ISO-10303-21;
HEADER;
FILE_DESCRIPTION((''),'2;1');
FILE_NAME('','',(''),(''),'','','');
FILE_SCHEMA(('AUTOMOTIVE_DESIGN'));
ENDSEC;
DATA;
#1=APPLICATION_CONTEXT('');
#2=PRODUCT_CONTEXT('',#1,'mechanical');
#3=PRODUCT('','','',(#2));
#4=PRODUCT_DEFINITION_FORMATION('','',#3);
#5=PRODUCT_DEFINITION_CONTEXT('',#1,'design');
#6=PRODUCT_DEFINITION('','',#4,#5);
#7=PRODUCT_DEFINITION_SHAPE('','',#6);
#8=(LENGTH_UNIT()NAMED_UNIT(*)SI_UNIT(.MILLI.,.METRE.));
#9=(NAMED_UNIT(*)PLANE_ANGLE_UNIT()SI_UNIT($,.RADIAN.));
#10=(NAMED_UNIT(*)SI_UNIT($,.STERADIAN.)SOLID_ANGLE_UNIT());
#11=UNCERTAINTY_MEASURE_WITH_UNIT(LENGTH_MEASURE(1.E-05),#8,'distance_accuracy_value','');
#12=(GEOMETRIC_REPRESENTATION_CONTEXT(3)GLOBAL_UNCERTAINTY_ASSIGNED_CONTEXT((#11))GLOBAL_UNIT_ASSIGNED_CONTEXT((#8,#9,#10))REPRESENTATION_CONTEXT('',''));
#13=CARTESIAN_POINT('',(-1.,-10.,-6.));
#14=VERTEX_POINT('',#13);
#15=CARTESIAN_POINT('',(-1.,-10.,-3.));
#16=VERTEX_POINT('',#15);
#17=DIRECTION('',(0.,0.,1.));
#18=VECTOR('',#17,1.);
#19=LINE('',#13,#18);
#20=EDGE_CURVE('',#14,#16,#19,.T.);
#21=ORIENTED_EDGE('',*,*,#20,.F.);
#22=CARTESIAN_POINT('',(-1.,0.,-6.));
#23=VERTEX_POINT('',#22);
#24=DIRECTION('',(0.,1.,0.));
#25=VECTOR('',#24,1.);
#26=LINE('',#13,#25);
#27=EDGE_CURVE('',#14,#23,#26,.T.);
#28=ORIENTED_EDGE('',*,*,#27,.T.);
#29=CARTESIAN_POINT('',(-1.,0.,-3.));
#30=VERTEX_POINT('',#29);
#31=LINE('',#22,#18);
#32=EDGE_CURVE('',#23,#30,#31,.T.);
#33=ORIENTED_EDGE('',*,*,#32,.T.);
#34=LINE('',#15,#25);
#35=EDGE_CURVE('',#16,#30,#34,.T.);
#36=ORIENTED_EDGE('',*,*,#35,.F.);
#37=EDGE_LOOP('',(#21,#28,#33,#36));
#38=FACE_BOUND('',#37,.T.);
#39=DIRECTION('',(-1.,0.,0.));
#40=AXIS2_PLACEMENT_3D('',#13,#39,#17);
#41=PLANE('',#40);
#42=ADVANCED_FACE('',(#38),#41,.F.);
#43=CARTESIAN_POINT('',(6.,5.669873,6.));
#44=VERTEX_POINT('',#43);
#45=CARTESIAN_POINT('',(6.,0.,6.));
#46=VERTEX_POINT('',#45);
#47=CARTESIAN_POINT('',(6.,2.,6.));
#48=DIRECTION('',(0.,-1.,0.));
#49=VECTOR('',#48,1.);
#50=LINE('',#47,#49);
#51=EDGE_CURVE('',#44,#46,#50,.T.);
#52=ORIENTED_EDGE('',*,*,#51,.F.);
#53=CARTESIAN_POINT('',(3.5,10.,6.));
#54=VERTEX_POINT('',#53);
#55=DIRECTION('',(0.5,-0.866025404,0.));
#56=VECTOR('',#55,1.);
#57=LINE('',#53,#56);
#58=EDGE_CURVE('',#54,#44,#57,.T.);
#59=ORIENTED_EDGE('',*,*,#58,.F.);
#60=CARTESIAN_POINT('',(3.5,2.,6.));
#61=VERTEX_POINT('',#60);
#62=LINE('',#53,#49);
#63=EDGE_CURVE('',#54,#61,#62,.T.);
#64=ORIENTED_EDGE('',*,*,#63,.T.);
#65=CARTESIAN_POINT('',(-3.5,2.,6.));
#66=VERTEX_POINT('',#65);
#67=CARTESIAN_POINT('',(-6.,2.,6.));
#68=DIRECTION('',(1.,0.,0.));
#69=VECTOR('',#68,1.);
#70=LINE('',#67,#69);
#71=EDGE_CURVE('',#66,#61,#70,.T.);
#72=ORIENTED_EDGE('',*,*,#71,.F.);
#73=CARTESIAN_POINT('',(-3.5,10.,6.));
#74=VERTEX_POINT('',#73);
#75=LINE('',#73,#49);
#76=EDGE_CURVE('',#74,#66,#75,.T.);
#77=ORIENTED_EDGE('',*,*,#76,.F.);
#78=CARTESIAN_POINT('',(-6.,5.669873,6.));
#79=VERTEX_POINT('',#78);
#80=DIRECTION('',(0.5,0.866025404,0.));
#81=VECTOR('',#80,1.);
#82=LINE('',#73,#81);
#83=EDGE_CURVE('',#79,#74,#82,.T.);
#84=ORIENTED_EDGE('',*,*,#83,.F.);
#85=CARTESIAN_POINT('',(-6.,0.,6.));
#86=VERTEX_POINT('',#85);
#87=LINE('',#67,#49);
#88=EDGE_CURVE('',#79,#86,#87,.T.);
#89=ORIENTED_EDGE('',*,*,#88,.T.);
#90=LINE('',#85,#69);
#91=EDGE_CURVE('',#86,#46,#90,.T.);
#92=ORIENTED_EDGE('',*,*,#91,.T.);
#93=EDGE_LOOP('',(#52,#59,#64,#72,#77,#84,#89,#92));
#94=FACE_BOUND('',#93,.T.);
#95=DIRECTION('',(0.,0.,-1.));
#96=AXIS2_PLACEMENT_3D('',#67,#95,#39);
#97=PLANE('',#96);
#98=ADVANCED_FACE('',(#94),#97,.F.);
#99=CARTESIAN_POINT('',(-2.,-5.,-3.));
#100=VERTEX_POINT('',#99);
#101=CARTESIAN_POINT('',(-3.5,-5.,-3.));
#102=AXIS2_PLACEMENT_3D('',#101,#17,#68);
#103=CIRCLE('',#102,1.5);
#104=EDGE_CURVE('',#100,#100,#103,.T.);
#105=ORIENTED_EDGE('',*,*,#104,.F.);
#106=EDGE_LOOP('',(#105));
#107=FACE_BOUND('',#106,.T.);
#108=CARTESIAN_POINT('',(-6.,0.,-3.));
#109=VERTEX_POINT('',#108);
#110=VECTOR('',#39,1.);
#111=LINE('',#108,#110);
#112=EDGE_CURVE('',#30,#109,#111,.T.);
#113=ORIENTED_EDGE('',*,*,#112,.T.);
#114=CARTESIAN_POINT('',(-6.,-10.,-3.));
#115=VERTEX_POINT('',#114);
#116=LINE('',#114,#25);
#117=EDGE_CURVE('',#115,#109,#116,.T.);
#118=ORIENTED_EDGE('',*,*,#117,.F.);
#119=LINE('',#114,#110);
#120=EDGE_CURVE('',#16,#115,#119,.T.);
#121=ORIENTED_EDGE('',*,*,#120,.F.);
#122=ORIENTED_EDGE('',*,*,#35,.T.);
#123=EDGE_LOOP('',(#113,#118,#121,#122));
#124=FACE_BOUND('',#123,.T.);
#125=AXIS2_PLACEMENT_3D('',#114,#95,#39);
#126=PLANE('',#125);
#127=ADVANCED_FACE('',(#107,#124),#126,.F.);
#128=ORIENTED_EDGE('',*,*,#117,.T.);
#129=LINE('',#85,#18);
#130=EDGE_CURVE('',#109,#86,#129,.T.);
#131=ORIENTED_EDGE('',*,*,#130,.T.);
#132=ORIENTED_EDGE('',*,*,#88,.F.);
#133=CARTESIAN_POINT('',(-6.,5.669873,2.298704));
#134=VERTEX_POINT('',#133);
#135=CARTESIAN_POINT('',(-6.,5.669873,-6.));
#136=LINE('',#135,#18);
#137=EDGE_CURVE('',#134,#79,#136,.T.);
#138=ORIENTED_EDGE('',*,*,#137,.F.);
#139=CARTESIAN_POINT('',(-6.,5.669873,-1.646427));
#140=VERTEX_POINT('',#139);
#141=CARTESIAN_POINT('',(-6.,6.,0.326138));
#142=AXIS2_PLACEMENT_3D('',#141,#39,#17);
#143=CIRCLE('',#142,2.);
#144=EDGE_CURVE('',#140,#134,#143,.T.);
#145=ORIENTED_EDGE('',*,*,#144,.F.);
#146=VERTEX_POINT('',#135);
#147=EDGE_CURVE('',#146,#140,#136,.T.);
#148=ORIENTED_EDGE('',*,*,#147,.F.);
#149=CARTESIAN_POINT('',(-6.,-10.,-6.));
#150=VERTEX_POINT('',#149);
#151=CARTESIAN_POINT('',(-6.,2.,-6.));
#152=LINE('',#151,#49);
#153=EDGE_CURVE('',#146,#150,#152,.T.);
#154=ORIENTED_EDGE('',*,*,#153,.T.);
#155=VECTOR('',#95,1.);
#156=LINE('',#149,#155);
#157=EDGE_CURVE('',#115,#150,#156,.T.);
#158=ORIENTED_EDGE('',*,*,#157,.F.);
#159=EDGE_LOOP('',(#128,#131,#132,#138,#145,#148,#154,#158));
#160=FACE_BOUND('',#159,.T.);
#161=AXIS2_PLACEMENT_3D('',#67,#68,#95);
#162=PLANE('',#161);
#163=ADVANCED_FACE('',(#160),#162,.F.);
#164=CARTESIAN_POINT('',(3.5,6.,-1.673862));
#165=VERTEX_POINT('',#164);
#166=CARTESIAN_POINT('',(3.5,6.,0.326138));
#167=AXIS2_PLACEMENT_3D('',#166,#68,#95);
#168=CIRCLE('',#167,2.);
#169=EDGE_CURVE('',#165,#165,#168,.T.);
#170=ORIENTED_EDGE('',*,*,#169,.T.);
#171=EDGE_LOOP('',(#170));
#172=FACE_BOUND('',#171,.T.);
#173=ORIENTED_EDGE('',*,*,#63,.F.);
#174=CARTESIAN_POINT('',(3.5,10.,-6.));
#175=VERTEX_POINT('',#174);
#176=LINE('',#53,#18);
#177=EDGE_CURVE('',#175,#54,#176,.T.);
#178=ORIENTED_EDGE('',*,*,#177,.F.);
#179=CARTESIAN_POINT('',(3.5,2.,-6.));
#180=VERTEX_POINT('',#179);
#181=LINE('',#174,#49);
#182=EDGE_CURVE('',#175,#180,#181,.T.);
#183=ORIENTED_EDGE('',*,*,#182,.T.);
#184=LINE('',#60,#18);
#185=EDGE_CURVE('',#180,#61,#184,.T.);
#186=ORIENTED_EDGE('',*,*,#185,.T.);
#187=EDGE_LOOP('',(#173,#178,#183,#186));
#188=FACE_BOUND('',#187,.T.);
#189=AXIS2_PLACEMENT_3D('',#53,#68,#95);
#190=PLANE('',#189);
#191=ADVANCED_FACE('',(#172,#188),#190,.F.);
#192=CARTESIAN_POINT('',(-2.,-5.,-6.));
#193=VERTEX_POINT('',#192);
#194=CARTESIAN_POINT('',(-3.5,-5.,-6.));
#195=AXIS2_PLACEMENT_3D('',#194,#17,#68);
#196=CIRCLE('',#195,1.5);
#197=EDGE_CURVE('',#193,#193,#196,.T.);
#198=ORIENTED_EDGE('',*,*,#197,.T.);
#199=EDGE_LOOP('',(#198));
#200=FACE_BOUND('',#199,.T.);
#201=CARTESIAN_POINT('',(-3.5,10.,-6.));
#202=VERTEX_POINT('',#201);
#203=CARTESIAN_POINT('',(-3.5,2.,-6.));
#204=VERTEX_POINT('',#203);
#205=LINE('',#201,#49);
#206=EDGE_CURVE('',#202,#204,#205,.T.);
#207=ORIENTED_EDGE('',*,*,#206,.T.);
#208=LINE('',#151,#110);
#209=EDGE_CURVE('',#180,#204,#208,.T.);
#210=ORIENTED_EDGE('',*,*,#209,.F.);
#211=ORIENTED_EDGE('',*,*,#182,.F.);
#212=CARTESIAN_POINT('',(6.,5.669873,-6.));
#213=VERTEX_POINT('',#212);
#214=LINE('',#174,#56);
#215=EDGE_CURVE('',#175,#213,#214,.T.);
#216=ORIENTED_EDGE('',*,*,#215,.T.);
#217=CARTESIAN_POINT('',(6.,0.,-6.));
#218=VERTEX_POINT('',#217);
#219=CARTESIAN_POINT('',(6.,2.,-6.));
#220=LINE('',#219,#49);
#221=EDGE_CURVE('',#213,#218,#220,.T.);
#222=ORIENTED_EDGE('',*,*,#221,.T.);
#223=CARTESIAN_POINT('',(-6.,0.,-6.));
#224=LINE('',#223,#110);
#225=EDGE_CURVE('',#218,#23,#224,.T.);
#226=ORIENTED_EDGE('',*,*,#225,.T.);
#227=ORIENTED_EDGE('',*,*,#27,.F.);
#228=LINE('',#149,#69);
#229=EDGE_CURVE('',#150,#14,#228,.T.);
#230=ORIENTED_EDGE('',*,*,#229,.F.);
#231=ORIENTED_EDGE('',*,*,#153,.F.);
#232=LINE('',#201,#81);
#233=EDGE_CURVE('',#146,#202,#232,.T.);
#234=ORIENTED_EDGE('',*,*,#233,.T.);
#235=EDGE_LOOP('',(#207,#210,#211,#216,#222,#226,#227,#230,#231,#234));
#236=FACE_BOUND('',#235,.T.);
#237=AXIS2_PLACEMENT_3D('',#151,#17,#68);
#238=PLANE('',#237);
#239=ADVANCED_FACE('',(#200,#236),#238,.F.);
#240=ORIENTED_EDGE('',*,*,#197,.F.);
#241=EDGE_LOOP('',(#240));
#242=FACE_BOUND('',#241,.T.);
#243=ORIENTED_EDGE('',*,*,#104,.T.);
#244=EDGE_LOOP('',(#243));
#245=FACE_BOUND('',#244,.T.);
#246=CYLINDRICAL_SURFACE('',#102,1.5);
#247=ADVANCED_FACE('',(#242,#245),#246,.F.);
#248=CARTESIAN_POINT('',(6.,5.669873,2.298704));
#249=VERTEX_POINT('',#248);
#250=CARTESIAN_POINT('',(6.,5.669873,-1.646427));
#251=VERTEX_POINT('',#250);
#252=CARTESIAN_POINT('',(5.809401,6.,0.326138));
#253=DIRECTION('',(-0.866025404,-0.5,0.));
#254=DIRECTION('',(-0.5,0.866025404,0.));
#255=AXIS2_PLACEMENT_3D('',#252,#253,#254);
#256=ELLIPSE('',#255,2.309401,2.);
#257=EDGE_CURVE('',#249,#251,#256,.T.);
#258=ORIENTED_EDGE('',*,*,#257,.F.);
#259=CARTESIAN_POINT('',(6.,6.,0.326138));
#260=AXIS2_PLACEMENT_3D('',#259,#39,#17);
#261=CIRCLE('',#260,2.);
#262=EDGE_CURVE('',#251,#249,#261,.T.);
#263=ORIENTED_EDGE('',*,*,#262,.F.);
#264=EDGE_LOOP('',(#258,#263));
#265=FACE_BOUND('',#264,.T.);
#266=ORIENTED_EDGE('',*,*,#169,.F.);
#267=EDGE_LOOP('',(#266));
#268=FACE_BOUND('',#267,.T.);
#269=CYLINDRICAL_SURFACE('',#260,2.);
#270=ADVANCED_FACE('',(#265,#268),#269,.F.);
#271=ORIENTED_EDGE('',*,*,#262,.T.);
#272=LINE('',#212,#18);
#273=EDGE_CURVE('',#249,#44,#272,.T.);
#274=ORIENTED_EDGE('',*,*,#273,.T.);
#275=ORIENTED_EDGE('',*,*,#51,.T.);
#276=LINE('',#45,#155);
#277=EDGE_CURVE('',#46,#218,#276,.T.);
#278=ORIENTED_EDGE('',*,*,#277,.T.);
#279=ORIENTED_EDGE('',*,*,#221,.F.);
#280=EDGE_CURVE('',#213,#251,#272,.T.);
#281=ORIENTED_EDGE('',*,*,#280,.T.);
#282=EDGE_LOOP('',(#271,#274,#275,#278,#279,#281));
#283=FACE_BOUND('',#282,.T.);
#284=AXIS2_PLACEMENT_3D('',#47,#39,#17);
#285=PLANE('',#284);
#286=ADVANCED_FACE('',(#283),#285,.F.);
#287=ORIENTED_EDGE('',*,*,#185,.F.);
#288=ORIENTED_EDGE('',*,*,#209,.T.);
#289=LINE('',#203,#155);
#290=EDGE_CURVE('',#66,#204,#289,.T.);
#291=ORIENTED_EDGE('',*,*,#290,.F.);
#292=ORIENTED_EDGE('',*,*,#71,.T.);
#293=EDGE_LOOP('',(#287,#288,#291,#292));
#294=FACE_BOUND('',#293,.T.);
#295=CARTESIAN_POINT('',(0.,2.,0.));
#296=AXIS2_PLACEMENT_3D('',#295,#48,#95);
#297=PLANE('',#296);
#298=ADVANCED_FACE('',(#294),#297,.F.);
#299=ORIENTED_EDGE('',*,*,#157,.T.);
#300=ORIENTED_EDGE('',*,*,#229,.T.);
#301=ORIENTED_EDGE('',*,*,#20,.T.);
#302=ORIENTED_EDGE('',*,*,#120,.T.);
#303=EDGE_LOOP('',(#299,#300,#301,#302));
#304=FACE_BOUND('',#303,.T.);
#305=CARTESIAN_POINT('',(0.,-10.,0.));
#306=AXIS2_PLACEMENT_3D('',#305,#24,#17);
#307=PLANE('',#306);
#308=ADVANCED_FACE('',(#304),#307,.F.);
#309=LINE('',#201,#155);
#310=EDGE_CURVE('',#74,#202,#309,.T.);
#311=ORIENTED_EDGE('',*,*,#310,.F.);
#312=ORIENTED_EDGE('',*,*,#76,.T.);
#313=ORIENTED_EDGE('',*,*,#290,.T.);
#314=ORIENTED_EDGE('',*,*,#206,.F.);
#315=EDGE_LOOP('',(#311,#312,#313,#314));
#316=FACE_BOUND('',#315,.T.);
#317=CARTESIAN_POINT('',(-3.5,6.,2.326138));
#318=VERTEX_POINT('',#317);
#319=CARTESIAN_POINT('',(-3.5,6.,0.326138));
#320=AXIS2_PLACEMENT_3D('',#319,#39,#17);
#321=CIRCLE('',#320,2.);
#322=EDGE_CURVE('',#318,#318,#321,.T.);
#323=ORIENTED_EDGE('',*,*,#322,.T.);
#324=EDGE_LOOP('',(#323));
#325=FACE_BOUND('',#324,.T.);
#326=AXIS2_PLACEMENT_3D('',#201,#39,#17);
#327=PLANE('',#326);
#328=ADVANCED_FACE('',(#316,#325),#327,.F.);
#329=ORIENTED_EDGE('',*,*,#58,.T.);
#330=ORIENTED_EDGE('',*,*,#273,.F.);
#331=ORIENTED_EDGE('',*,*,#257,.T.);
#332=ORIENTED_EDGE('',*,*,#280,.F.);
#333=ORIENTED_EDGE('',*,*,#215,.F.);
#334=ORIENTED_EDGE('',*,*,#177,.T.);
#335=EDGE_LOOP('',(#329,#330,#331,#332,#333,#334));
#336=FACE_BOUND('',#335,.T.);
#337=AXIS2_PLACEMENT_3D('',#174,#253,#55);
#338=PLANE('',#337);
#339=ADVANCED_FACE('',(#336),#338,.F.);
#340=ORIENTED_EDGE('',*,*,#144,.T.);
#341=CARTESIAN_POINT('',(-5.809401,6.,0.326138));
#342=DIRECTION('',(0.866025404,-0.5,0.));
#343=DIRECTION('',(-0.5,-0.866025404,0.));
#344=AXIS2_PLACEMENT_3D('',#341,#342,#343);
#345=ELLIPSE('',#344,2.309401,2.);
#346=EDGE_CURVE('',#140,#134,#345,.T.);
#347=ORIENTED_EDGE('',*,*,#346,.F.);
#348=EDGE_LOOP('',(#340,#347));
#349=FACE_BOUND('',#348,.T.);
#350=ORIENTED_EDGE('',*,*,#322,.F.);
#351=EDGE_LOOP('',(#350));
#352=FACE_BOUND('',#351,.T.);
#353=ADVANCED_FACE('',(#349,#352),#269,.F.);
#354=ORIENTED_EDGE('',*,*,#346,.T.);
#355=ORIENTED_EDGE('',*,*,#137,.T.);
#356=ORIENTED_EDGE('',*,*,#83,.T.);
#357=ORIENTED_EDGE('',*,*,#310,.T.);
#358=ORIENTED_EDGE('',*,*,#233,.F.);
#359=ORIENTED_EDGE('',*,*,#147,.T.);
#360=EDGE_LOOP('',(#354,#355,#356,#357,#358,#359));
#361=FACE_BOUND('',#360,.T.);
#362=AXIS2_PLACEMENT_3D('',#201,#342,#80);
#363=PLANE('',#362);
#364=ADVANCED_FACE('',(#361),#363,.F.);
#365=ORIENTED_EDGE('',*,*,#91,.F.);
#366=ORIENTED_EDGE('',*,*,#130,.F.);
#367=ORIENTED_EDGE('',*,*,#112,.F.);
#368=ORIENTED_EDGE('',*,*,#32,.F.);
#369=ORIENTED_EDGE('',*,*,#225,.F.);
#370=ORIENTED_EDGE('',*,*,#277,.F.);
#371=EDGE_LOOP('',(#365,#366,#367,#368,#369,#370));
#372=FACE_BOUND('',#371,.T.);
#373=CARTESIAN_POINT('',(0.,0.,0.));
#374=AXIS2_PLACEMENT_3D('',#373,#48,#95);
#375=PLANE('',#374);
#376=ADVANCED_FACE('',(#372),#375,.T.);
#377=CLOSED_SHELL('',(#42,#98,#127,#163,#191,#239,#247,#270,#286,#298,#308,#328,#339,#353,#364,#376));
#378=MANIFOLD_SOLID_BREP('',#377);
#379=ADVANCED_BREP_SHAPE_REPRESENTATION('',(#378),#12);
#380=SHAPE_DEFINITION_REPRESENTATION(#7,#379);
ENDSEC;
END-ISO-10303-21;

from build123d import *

# Parameters (mm, degrees)
SKETCH1_W                 = 12
SKETCH1_H                 = 12
BOSS_EXTRUDE1_DEPTH       = 2
SKETCH2_W                 = 2.5
SKETCH2_H                 = 12
BOSS_EXTRUDE2_DEPTH       = 8
CUT_EXTRUDE1_DEPTH        = 17.733200531
CUT_EXTRUDE2_DEPTH        = 16.041608956
CUT_EXTRUDE2_DEPTH_BACK   = 16.041608956
SKETCH4_R                 = 2
SKETCH6_W                 = 5
SKETCH6_H                 = 3
BOSS_EXTRUDE3_DEPTH       = 10
F_3_0MM_DOWEL_HOLE1_D     = 3
F_3_0MM_DOWEL_HOLE1_DEPTH = 3
F_3_0MM_DOWEL_HOLE1_TIP   = 0.901290929


with BuildPart() as part:
    # Sketch1 → Boss-Extrude1 (new body)
    with BuildSketch(Plane(origin=(0, 0, 0), x_dir=(1, 0, 0), z_dir=(0, 1, 0))):
        Rectangle(SKETCH1_W, SKETCH1_H)
    extrude(amount=BOSS_EXTRUDE1_DEPTH)

    # Sketch2 → Boss-Extrude2 (add)
    with BuildSketch(Plane(origin=(0, 2, 0), x_dir=(1, 0, 0), z_dir=(0, 1, 0))):
        with Locations((-4.75, 0)):
            Rectangle(SKETCH2_W, SKETCH2_H)
        with Locations((4.75, 0)):
            Rectangle(SKETCH2_W, SKETCH2_H)
    extrude(amount=BOSS_EXTRUDE2_DEPTH)

    # Sketch5 → Cut-Extrude1 (cut, through all)
    with BuildSketch(Plane.XY.offset(6)):
        Polygon((-3.5, 10), (-6, 5.669872981), (-6, 10), align=None)
        Polygon((3.5, 10), (6, 5.669872981), (6, 10), align=None)
    extrude(amount=-CUT_EXTRUDE1_DEPTH, mode=Mode.SUBTRACT)

    # Sketch4 → Cut-Extrude2 (cut, two sides: drawn at the far end of the back side and taken through both)
    with BuildSketch(Plane.ZY.offset(-3.5).offset(-CUT_EXTRUDE2_DEPTH_BACK)):
        with Locations((0.326138493, 6)):
            Circle(SKETCH4_R)
    extrude(amount=CUT_EXTRUDE2_DEPTH + CUT_EXTRUDE2_DEPTH_BACK, mode=Mode.SUBTRACT)

    # Sketch6 → Boss-Extrude3 (add)
    with BuildSketch(Plane.XZ):
        with Locations((-3.5, -4.5)):
            Rectangle(SKETCH6_W, SKETCH6_H)
    extrude(amount=BOSS_EXTRUDE3_DEPTH)

    # Ø3.0mm Dowel Hole1
    with Locations(Plane.XY.offset(-3)):
        with Locations((-3.5, -5)):
            Hole(F_3_0MM_DOWEL_HOLE1_D / 2, depth=F_3_0MM_DOWEL_HOLE1_DEPTH)
            with Locations((0, 0, -(F_3_0MM_DOWEL_HOLE1_DEPTH + F_3_0MM_DOWEL_HOLE1_TIP / 2))):  # 118° drill point
                Cone(0, F_3_0MM_DOWEL_HOLE1_D / 2, F_3_0MM_DOWEL_HOLE1_TIP, mode=Mode.SUBTRACT)


solid = part.part
